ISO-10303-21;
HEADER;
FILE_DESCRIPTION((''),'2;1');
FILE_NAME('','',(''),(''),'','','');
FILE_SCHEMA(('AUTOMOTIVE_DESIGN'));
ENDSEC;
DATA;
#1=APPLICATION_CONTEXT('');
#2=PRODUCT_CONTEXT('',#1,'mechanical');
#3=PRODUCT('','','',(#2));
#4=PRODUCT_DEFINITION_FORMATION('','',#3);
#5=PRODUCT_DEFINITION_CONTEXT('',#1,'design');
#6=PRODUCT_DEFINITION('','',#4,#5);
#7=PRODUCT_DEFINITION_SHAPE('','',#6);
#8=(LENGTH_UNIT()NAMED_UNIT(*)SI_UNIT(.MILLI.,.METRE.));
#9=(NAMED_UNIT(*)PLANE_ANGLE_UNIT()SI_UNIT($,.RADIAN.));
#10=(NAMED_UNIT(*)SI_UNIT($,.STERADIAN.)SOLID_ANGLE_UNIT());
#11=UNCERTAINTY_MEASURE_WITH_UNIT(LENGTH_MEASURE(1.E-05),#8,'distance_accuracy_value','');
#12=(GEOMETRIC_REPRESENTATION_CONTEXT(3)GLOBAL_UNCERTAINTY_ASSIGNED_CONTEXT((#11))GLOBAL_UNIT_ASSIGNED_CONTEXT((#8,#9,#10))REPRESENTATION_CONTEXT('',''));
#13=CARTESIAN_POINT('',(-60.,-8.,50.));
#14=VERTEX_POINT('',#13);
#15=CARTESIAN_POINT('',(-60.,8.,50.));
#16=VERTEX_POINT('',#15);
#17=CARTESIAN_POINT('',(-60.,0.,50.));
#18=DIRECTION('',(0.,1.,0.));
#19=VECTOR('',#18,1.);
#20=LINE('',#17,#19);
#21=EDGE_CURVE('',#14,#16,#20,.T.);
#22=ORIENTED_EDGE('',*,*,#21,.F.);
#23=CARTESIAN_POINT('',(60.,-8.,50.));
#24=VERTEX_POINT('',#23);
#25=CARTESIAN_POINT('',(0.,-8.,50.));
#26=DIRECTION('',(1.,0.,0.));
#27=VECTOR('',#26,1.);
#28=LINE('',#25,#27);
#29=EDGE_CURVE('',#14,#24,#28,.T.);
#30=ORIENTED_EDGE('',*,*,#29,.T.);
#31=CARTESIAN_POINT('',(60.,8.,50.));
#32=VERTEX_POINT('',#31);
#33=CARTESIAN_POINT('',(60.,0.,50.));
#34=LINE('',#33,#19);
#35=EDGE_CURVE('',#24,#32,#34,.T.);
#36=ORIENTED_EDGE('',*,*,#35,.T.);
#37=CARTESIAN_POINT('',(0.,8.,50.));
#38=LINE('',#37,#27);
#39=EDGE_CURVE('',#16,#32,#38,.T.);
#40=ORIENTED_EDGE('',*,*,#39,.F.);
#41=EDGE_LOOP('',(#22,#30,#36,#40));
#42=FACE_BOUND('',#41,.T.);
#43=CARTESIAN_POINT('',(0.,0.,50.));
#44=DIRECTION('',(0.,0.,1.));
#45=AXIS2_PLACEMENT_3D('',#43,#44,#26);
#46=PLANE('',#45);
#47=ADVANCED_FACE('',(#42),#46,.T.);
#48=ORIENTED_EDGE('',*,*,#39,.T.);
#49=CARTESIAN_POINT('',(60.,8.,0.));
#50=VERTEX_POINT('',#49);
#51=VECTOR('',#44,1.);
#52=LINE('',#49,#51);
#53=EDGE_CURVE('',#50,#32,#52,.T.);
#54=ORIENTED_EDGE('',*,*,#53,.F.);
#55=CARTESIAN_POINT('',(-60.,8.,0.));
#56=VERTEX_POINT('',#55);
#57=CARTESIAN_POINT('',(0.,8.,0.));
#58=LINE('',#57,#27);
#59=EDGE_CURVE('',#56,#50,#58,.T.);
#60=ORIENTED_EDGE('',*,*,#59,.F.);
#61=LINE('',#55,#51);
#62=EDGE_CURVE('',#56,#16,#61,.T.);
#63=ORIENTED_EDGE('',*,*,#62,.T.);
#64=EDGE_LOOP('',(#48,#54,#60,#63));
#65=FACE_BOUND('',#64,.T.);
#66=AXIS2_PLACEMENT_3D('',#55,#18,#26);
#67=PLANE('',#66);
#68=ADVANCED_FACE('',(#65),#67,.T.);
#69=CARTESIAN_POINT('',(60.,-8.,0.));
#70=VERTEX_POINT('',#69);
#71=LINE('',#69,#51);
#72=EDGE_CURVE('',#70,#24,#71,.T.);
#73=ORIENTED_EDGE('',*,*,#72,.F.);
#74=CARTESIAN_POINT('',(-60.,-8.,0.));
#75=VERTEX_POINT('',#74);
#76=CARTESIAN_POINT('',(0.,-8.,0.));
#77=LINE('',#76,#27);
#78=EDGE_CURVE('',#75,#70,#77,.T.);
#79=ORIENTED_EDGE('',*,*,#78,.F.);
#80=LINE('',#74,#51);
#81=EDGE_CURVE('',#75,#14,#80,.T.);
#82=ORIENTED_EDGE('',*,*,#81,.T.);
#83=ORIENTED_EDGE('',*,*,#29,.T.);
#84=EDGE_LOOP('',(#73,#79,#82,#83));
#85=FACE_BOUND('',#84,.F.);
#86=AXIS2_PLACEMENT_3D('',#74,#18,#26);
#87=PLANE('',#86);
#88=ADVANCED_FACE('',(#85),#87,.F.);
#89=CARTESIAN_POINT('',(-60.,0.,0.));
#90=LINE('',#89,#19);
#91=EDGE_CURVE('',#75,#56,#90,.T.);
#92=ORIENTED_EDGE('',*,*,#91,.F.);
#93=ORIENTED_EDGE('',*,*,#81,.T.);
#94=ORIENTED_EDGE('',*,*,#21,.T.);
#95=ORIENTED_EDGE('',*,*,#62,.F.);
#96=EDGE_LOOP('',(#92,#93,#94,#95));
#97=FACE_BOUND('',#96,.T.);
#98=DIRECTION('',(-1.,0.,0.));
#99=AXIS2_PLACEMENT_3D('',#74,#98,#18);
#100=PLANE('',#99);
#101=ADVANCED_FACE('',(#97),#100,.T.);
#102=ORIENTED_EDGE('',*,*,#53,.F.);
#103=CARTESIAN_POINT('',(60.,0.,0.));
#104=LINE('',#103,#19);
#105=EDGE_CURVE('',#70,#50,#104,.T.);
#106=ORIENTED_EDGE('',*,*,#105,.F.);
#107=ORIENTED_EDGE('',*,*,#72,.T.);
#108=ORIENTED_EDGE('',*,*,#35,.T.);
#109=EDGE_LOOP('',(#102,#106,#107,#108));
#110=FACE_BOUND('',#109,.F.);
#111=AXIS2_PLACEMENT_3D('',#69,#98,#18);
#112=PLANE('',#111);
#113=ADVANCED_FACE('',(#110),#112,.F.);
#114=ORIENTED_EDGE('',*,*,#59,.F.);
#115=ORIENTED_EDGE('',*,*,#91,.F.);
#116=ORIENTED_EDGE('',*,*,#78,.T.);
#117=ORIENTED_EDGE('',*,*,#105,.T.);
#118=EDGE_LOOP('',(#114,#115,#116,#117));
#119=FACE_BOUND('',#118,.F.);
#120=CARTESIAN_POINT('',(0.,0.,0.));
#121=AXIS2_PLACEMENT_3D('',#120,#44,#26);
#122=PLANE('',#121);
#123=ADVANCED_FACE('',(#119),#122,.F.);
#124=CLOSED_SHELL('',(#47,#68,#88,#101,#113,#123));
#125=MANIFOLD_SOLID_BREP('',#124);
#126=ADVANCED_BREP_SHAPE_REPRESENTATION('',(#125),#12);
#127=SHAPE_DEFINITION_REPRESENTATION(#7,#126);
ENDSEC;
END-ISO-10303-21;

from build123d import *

# Parameters (mm, degrees)
SKETCH_W      = 120
SKETCH_H      = 16
EXTRUDE_DEPTH = 50


with BuildPart() as part:
    # Sketch → Extrude (new body)
    with BuildSketch(Plane.XY):
        Rectangle(SKETCH_W, SKETCH_H)
    extrude(amount=EXTRUDE_DEPTH)


solid = part.part
